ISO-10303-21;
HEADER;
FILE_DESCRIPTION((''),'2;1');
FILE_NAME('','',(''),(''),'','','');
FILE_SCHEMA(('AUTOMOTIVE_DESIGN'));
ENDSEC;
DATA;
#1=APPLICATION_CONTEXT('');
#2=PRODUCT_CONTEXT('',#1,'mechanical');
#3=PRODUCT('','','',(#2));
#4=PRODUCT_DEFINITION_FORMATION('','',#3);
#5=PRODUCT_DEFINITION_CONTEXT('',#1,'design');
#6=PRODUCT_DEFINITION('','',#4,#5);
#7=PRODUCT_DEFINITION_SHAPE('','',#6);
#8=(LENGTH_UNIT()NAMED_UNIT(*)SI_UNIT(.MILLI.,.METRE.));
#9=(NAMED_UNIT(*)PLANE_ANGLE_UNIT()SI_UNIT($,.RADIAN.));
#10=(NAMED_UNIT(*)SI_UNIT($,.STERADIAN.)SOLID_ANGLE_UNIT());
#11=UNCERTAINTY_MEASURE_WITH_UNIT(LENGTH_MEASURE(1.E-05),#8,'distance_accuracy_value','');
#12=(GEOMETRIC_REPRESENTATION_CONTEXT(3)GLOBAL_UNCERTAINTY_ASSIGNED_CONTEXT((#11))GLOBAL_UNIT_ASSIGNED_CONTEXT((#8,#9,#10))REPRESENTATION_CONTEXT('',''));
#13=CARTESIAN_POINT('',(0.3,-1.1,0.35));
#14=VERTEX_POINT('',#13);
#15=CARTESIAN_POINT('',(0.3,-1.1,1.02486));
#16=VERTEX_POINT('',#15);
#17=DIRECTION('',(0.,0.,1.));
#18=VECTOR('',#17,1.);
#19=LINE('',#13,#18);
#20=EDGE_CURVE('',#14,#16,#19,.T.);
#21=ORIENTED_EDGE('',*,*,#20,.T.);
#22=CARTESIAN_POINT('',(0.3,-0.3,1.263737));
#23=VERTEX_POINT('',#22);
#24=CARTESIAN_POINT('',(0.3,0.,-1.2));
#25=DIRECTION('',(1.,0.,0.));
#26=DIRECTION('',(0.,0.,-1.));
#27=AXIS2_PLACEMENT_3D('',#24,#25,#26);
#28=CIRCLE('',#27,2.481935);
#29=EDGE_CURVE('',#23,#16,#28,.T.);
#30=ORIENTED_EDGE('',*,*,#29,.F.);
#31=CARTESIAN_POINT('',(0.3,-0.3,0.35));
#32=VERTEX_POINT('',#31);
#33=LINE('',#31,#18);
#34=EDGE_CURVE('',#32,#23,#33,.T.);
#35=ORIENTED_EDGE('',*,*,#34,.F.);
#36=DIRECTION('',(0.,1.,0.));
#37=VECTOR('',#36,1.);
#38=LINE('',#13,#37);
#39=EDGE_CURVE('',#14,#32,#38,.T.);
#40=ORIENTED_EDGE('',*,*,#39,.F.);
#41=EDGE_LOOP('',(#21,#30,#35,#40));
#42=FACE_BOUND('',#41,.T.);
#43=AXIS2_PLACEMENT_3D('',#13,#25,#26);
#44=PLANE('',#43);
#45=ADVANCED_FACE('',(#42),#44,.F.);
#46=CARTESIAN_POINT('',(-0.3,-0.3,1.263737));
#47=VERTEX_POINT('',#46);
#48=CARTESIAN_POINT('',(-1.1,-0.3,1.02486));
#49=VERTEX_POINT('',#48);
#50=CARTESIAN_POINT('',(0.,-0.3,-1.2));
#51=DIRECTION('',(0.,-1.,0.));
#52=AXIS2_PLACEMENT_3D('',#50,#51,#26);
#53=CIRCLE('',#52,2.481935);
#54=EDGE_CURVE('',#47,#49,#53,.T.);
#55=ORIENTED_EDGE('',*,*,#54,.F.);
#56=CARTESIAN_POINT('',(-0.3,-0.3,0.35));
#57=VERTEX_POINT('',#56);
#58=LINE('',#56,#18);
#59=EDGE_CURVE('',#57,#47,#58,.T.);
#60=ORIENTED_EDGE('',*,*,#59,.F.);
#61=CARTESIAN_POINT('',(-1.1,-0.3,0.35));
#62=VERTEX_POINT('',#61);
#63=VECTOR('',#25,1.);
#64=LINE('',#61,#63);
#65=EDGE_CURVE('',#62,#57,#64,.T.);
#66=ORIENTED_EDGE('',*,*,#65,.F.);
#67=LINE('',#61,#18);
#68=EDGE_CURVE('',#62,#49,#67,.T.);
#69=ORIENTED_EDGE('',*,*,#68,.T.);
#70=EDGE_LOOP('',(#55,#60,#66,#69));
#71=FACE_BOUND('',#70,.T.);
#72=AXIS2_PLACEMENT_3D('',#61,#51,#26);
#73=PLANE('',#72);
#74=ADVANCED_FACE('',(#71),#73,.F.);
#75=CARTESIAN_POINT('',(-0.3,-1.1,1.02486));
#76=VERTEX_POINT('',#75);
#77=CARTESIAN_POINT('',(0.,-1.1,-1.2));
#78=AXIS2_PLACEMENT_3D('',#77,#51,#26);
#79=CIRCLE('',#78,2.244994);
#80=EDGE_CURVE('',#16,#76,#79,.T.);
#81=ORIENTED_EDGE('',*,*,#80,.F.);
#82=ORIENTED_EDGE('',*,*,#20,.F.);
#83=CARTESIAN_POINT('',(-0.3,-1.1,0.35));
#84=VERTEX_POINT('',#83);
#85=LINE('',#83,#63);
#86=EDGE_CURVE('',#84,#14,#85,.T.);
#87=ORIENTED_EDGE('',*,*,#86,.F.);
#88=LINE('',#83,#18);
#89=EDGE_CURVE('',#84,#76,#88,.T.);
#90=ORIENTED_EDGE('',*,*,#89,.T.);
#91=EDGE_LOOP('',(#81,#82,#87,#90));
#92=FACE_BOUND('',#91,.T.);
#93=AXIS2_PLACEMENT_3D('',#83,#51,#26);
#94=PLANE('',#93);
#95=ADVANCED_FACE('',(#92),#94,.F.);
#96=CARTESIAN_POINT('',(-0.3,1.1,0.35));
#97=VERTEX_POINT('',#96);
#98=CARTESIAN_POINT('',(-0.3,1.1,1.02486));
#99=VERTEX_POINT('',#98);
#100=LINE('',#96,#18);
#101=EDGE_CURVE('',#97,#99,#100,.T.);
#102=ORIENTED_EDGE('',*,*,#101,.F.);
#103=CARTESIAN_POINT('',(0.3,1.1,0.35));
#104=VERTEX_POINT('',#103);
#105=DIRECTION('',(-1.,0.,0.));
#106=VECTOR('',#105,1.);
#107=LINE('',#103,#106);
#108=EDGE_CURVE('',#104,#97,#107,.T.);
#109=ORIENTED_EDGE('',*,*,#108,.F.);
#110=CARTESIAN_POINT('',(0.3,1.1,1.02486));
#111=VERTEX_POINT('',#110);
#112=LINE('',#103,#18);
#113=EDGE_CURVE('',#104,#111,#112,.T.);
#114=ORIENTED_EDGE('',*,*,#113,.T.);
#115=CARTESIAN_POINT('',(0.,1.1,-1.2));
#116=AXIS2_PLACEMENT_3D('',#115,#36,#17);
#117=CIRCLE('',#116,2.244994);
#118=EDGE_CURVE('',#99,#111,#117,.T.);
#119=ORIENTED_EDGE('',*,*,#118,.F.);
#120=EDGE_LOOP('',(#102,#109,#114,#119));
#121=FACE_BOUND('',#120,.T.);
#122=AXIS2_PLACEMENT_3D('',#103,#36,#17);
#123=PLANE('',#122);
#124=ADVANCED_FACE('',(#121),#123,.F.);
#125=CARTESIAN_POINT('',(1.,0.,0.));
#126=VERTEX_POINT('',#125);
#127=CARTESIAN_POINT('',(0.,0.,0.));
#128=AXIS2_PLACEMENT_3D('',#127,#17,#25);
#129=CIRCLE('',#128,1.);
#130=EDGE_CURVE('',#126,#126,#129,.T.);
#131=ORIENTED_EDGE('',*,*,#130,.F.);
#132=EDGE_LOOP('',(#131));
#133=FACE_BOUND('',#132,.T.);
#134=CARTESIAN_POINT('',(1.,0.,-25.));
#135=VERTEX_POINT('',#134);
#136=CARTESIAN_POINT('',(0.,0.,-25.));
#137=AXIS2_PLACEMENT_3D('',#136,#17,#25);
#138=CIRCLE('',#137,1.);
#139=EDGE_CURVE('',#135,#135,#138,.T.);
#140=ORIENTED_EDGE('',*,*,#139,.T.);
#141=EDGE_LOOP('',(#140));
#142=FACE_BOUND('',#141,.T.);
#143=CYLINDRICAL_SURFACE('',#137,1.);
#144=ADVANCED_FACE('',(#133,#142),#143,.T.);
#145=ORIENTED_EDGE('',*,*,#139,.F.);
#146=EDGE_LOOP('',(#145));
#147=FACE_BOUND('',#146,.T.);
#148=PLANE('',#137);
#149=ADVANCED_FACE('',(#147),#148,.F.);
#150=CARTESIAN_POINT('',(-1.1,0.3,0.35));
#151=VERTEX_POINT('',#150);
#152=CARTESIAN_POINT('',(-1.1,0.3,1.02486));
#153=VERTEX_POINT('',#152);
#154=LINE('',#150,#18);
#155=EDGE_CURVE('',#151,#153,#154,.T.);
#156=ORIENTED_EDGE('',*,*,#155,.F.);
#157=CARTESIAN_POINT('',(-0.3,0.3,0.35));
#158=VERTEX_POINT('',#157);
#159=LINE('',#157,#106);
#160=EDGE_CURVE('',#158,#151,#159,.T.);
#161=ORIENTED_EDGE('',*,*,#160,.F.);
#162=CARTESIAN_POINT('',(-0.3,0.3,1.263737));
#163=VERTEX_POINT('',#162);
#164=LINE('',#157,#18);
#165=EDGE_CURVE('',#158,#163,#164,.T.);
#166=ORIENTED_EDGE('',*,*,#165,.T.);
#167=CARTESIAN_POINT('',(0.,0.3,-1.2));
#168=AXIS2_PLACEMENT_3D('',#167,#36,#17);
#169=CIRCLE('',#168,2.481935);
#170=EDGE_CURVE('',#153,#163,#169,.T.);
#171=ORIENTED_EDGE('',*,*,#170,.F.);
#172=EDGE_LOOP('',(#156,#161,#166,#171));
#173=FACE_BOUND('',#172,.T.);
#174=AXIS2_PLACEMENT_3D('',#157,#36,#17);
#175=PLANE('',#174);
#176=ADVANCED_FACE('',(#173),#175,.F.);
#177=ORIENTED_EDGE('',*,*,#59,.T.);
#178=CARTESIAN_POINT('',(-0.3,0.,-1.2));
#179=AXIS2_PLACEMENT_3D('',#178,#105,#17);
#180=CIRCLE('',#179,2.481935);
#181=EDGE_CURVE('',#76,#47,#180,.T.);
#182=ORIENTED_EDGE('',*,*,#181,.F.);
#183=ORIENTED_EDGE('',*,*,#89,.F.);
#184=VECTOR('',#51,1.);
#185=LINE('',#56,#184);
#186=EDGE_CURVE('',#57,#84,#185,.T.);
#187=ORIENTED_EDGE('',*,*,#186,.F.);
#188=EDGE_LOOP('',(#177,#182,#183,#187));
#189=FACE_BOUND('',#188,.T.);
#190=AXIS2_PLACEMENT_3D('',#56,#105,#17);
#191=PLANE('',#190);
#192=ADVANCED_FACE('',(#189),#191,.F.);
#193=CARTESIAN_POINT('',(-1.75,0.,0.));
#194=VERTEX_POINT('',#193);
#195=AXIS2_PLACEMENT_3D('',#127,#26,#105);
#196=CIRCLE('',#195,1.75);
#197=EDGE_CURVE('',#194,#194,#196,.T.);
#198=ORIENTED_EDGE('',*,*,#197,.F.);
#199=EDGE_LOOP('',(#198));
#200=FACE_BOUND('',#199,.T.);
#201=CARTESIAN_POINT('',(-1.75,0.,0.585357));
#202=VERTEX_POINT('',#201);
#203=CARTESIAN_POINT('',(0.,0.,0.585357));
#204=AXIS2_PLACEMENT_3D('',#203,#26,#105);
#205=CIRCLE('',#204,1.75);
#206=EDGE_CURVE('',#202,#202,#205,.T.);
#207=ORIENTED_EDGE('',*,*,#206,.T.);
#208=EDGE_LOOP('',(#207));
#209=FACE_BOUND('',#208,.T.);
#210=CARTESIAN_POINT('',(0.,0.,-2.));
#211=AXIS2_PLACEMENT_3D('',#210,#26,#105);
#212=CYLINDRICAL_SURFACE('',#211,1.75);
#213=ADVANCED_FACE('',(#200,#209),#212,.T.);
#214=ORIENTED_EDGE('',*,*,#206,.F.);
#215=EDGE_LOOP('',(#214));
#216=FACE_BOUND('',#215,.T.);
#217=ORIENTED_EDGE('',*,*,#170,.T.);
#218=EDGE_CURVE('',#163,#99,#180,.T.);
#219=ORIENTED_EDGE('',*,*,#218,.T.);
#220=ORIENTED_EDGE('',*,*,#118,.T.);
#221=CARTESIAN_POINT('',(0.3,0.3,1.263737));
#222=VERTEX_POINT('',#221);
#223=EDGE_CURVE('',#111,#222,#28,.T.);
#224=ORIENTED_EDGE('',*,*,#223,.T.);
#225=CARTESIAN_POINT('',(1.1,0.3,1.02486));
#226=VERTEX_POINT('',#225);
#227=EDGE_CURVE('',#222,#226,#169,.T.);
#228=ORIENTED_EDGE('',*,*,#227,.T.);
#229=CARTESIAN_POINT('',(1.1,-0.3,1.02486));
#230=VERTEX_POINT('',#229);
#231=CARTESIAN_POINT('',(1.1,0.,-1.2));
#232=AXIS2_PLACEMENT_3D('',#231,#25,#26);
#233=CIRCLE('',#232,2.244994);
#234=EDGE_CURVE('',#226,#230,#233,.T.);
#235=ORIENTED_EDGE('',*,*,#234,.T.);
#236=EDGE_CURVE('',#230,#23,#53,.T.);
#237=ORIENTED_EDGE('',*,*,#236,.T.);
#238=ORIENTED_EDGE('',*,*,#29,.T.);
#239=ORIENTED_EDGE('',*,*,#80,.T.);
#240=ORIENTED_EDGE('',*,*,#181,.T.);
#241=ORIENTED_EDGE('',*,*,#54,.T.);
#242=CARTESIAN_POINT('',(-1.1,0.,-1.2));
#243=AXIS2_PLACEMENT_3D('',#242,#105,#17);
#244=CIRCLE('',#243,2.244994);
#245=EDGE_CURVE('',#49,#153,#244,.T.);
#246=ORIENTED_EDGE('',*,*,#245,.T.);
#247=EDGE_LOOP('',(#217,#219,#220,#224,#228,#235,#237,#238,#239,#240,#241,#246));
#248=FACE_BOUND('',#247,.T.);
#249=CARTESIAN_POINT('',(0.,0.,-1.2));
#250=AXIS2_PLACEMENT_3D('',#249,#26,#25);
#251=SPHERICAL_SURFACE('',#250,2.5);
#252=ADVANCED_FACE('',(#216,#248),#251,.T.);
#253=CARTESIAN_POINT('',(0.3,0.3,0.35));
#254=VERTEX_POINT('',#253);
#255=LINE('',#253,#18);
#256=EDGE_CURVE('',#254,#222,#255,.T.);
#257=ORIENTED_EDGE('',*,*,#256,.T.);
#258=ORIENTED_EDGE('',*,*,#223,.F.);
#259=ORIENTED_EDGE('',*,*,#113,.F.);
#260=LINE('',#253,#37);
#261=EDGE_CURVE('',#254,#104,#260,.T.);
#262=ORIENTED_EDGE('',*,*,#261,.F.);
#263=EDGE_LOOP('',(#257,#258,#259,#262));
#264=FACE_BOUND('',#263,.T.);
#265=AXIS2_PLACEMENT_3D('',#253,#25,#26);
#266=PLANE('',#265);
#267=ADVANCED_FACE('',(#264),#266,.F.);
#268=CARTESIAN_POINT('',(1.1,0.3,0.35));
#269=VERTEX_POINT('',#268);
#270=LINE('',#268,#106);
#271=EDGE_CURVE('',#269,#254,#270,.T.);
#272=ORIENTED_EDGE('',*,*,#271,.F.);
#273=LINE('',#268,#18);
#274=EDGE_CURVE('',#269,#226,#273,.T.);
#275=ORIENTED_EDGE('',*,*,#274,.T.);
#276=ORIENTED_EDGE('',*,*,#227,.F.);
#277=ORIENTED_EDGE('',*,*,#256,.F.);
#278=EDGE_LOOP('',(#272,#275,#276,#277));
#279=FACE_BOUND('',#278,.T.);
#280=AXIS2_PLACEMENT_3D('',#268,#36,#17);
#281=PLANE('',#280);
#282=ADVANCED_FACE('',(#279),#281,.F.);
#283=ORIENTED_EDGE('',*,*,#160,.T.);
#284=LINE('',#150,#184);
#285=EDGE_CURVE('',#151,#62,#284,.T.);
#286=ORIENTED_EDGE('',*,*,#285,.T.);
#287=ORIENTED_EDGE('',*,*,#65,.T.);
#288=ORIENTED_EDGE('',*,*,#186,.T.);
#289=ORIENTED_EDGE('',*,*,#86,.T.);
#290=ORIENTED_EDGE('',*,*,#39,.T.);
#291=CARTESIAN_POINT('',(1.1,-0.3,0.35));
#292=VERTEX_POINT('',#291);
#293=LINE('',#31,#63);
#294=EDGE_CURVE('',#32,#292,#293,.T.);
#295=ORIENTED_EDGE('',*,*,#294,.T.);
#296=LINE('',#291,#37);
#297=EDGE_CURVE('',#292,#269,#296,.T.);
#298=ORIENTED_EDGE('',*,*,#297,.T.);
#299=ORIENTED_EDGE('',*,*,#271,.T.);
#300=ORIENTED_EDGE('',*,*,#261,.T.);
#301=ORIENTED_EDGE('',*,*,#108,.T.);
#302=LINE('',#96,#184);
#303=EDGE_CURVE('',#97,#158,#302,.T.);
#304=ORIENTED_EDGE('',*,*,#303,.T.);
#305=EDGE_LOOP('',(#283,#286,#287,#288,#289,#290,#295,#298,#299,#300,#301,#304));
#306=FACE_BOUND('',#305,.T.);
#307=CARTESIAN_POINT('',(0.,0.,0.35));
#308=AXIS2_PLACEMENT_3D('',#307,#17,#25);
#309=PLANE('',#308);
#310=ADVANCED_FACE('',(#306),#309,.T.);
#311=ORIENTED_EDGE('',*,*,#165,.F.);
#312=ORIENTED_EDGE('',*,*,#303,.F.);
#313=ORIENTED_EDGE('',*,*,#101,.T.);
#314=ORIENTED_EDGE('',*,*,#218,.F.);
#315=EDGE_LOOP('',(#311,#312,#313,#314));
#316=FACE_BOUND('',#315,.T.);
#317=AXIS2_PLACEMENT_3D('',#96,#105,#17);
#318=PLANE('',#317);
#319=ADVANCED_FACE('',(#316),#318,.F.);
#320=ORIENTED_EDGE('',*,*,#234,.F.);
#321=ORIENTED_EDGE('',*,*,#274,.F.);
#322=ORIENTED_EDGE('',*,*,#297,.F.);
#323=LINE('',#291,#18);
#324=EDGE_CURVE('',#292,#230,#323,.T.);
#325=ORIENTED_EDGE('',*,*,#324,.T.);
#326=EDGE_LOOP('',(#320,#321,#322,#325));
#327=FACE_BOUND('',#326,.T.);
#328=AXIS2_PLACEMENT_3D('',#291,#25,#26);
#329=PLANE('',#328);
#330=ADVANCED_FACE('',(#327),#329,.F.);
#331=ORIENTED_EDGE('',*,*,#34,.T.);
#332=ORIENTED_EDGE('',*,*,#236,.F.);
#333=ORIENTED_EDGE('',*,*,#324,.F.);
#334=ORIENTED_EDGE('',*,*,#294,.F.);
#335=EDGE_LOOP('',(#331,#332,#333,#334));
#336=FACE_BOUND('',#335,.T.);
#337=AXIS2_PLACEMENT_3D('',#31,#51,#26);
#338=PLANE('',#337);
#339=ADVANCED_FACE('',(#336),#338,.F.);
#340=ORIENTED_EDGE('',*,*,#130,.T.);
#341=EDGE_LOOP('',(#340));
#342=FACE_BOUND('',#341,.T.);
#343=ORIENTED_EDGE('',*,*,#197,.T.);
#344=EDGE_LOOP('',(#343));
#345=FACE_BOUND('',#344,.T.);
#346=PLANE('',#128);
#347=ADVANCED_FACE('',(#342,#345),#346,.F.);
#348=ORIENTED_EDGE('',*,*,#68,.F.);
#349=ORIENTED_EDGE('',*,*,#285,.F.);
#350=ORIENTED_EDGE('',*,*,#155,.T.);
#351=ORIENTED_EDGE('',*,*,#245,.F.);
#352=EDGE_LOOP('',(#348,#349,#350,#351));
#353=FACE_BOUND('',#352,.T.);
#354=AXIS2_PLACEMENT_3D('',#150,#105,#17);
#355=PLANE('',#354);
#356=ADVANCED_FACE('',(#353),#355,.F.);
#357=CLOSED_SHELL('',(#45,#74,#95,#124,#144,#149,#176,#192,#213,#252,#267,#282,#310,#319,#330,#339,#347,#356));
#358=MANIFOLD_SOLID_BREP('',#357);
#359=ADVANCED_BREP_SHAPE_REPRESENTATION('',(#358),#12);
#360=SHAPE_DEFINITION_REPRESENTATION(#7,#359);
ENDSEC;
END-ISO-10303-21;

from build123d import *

# Parameters (mm, degrees)
SKETCH_1_R        = 1
EXTRUDE_198_DEPTH = 25
PH1_START         = 1.31
PH1_DEPTH         = 0.96


with BuildPart() as part:
    # 草图1 → Extrude 198 (new body)
    with BuildSketch(Plane.XY):
        Circle(SKETCH_1_R)
    extrude(amount=-EXTRUDE_198_DEPTH)

    # 草图6 → Revolve 324 (revolve)
    with BuildSketch(Plane(origin=(0, 0, 0), x_dir=(1, 0, 0), z_dir=(0, 1, 0)), mode=Mode.PRIVATE) as revolve_324_sk:
        with BuildLine():
            Line((0, 0), (1.75, 0))
            Line((1.75, 0), (1.75, -0.585357107))
            ThreePointArc((1.75, -0.585357107), (0.945147404, -1.114453798), (0, -1.3))
            Line((0, -1.3), (0, 0))
        make_face()
    revolve(revolve_324_sk.sketch.rotate(Axis((0, 0, -2), (0, 0, 1)), 180), axis=Axis((0, 0, -2), (0, 0, 1)))

    # 草图7 → 十字槽_PH1_简化 (cut)
    with BuildSketch(Plane.XY.offset(PH1_START)):
        Polygon((-0.3, -1.1), (0.3, -1.1), (0.3, -0.3), (1.1, -0.3), (1.1, 0.3), (0.3, 0.3), (0.3, 1.1), (-0.3, 1.1), (-0.3, 0.3), (-1.1, 0.3), (-1.1, -0.3), (-0.3, -0.3), align=None)
    extrude(amount=-PH1_DEPTH, mode=Mode.SUBTRACT)


solid = part.part
